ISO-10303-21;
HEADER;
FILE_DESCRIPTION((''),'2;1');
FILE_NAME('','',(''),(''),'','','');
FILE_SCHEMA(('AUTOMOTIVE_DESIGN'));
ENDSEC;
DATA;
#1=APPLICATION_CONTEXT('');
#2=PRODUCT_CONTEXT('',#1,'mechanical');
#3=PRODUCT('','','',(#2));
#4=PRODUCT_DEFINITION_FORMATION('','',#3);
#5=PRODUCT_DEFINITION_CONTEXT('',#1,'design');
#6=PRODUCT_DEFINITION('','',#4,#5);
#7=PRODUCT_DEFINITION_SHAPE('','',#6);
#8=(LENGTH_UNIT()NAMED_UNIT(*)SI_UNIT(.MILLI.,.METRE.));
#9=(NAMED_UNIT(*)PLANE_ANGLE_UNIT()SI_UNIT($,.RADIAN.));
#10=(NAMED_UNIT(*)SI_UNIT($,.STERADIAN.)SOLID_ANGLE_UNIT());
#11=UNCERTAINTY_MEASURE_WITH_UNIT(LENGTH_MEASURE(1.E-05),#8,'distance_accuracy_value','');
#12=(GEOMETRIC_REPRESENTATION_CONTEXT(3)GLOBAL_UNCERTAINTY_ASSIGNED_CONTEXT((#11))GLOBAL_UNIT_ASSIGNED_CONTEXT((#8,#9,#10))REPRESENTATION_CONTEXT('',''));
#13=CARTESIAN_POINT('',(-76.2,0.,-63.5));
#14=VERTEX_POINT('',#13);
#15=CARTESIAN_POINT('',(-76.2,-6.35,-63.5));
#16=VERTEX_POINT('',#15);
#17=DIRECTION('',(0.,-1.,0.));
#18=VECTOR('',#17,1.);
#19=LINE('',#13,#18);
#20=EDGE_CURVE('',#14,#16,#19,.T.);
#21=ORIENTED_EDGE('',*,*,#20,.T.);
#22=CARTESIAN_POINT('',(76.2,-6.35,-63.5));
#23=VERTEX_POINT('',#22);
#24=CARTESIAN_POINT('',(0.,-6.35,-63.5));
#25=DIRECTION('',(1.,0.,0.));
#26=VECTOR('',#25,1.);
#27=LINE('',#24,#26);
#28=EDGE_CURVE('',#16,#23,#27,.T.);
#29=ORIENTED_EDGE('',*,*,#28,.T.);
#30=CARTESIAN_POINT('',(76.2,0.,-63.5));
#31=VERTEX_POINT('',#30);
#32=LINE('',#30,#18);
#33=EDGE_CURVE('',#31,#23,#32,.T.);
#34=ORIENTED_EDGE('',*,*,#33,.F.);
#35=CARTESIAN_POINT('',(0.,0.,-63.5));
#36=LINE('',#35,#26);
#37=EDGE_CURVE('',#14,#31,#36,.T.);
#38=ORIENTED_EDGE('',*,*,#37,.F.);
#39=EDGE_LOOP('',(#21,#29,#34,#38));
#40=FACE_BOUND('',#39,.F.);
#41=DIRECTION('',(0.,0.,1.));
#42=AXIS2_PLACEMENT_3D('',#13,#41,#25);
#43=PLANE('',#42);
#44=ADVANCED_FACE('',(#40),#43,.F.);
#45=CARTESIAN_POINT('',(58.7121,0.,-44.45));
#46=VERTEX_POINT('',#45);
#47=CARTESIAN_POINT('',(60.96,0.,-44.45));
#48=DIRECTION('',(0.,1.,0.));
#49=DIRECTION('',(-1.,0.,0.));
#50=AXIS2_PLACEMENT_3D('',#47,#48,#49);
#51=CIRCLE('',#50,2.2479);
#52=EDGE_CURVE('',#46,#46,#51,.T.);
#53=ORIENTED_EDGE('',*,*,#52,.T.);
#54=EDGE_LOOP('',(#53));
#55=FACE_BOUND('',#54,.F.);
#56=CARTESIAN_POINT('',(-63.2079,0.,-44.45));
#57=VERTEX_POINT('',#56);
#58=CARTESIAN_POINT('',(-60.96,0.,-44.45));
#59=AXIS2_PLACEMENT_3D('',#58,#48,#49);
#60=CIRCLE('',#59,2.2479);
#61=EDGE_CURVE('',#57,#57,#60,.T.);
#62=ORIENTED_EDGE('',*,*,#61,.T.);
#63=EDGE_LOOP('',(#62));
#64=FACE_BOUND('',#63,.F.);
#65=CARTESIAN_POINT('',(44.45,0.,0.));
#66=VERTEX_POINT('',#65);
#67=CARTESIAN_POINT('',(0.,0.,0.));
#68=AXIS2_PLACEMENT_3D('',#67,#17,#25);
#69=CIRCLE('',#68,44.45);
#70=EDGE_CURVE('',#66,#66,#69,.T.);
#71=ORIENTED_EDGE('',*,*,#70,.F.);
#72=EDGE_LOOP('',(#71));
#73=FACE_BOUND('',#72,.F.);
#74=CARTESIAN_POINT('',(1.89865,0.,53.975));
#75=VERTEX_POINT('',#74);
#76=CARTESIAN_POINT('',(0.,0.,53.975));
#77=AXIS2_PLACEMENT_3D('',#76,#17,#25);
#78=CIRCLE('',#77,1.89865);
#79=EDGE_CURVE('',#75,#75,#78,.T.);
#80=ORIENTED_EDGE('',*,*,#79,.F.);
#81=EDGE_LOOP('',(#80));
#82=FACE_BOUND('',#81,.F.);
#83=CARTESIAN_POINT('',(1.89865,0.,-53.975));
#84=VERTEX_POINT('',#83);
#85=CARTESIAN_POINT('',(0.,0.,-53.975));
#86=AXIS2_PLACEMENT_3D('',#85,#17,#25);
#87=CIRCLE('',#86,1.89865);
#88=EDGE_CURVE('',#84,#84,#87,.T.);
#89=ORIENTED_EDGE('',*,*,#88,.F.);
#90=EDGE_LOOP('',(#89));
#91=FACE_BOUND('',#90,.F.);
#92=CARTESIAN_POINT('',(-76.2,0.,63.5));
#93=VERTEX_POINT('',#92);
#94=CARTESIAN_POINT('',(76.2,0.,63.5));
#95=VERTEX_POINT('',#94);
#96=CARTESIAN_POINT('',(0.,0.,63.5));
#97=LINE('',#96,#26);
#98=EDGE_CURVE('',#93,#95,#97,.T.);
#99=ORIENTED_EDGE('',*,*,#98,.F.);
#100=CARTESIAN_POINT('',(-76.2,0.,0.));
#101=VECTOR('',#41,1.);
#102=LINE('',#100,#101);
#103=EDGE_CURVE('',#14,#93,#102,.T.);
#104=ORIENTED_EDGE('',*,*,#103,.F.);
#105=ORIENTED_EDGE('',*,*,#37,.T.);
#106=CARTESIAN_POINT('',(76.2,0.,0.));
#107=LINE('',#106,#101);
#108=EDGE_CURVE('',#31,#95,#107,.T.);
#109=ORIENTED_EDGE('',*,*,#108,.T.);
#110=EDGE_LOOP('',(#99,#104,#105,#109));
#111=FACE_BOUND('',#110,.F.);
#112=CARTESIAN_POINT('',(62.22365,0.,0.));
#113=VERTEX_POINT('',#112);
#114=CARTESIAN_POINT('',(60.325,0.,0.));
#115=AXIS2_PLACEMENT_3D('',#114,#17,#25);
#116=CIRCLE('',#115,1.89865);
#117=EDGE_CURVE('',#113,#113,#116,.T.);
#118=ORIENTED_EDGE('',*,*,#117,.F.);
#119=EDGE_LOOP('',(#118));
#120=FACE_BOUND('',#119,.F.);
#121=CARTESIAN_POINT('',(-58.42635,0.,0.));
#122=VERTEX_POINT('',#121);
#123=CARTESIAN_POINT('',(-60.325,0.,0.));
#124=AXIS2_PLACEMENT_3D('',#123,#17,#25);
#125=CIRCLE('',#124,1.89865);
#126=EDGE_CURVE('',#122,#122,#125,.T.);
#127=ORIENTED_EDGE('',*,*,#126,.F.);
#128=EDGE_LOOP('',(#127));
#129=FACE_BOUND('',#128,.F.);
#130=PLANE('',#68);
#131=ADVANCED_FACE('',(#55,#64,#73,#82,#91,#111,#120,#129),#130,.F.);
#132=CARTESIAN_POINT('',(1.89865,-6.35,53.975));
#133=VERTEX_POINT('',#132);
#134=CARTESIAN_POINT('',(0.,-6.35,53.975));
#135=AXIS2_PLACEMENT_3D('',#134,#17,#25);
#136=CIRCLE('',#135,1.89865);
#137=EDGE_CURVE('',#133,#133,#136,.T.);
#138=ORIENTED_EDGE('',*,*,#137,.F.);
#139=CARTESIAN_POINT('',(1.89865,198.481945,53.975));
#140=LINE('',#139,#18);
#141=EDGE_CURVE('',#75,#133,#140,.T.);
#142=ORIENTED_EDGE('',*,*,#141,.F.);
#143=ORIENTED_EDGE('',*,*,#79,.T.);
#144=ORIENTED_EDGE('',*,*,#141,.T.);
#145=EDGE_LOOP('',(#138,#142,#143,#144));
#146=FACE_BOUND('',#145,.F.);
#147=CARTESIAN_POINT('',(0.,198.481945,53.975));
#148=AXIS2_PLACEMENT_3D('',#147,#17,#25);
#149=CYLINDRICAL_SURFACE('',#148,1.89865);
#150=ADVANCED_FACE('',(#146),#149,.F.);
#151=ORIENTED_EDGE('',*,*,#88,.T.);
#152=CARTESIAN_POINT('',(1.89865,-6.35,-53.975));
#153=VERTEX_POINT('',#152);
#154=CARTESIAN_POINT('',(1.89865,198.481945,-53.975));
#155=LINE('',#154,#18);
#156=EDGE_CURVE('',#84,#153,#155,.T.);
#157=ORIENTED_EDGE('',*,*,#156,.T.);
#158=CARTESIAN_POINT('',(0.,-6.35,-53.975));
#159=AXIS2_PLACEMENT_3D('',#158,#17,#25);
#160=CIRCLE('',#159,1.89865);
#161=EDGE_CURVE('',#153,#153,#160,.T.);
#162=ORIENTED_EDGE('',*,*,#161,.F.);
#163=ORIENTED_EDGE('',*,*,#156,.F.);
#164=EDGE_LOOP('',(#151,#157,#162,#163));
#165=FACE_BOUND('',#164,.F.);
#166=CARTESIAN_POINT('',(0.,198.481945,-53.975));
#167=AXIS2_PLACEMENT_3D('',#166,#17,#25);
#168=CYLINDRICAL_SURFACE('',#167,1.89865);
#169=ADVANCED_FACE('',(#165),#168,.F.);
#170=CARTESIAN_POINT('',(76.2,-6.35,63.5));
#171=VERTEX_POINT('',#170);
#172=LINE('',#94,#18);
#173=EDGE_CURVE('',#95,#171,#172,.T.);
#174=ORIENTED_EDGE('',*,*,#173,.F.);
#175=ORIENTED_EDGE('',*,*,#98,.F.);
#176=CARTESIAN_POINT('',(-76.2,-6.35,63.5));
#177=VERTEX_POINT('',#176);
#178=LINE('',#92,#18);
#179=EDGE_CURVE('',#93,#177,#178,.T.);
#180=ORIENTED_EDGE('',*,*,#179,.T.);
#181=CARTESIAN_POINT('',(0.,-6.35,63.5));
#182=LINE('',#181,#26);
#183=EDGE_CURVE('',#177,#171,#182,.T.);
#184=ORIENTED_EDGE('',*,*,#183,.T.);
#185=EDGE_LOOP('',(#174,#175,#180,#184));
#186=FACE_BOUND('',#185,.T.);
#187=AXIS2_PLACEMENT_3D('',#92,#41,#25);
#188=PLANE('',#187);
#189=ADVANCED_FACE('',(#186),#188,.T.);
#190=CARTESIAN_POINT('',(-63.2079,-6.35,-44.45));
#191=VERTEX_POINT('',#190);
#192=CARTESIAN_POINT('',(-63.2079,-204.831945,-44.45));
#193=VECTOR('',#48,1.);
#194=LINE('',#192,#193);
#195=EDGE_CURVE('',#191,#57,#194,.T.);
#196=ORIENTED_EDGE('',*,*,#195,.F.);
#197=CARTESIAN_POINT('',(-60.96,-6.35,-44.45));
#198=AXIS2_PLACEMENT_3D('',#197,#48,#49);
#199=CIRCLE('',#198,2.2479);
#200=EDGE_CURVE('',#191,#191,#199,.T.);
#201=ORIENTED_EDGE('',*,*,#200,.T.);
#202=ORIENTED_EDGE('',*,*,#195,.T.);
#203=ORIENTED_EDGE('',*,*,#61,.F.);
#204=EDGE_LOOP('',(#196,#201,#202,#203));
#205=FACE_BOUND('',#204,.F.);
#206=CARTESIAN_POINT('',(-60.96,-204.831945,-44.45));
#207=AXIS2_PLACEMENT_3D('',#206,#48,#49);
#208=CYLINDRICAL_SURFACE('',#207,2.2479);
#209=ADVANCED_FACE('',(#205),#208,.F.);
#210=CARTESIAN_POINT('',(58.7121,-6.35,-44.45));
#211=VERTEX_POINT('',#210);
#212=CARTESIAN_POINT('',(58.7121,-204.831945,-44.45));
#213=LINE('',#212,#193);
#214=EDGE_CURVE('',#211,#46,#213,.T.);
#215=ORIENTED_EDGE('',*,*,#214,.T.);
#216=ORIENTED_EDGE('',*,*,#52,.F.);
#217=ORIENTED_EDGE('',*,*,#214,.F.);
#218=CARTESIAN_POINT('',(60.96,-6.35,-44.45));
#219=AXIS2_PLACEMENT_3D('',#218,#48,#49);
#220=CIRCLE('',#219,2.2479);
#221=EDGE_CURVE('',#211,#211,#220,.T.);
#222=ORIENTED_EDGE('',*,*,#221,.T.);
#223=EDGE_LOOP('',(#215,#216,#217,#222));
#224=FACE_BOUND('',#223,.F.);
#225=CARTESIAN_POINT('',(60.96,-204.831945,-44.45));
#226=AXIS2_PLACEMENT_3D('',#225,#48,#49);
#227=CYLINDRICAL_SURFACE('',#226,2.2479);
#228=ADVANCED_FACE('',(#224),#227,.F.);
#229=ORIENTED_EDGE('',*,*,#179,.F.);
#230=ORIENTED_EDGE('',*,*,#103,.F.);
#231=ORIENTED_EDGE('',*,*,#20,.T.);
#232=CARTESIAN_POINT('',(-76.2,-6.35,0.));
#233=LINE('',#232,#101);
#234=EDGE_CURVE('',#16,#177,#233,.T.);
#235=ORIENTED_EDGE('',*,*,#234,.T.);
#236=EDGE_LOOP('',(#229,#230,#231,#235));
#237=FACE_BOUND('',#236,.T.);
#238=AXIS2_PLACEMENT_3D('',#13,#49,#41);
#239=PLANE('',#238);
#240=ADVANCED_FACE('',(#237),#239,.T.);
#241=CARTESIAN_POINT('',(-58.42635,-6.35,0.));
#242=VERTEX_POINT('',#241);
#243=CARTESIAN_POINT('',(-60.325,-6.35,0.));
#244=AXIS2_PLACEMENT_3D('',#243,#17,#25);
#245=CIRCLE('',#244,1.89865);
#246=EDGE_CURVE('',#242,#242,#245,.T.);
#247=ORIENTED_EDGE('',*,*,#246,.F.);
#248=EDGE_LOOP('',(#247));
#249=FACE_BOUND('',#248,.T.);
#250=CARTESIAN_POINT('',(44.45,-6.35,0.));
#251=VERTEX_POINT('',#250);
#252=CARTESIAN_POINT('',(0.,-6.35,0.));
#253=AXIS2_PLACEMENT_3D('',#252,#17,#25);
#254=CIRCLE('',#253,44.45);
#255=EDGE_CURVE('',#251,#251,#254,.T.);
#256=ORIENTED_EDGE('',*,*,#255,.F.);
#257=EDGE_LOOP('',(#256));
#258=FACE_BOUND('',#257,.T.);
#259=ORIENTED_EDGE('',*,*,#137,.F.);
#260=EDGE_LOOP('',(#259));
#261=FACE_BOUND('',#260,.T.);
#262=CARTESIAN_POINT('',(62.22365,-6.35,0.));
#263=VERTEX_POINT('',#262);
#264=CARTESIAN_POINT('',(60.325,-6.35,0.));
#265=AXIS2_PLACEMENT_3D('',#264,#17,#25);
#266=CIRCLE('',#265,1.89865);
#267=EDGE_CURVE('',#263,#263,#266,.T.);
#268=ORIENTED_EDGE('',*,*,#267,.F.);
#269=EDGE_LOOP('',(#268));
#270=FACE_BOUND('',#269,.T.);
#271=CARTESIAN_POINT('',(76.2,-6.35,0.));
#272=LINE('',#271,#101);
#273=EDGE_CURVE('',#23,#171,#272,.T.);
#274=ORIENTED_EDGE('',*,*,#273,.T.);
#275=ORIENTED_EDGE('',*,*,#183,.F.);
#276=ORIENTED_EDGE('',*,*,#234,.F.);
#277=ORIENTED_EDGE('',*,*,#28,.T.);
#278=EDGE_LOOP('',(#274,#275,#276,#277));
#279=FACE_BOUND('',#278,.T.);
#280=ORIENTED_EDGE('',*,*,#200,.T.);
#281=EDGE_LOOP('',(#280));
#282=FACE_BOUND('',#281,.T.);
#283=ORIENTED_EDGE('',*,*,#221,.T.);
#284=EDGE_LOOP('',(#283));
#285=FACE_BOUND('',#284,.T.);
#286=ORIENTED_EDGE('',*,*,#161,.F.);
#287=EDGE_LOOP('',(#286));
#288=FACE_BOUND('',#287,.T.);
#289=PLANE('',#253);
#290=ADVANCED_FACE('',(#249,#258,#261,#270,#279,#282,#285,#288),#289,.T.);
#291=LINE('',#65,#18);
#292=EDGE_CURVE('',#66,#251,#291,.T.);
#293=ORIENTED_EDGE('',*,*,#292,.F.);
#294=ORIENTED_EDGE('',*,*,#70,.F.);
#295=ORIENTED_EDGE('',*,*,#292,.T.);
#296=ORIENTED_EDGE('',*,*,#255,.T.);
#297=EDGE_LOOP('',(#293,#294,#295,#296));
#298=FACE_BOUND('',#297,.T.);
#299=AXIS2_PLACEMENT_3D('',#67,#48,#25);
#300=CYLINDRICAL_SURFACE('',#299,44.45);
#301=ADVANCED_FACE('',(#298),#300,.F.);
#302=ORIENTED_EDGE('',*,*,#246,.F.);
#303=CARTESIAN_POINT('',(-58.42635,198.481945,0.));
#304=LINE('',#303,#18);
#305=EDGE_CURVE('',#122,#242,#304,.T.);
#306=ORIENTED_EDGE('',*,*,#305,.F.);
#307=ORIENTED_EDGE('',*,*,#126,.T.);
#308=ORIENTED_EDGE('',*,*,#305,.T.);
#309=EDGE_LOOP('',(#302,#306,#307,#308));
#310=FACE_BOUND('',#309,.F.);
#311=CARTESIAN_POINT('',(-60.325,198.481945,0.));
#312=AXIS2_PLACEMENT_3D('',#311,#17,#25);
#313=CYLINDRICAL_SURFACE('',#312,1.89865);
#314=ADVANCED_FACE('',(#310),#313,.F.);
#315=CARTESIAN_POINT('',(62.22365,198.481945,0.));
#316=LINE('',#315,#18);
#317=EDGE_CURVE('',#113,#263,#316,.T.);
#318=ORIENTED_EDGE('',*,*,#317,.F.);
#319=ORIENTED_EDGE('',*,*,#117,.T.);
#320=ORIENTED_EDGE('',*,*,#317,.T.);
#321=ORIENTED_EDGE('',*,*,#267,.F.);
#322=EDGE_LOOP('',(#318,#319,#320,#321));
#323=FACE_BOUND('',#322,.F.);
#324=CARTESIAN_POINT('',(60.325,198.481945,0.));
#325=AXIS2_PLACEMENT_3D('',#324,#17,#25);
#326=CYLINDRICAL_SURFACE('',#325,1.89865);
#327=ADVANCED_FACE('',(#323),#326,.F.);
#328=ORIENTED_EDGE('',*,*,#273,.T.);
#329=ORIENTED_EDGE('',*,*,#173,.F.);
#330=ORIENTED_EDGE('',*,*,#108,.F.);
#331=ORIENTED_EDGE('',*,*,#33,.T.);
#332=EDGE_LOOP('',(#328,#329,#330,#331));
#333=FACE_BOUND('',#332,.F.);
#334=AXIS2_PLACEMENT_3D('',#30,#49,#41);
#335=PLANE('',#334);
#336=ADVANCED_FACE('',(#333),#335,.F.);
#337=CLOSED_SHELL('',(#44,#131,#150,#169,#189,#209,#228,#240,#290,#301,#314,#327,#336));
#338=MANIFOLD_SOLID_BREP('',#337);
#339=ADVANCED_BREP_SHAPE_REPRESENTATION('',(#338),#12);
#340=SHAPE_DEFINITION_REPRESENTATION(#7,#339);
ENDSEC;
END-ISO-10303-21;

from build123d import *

# Parameters (mm, degrees)
F0_W     = 152.4
F0_H     = 127
F0_R     = 44.45
F1_DEPTH = 6.35
F4_D     = 3.7973
F6_D     = 4.4958


with BuildPart() as f1:
    # F0 (on Front) → F1 (new body)
    with BuildSketch(Plane.XZ):
        Rectangle(F0_W, F0_H)
        Circle(F0_R, mode=Mode.SUBTRACT)
    extrude(amount=F1_DEPTH)

    # F4 (through all)
    with Locations(Plane(origin=(0, 0, 0), x_dir=(-1, 0, 0), z_dir=(0, 1, 0))):
        with Locations((-60.325, 0), (0, 53.975), (60.325, 0), (0, -53.975)):
            Hole(F4_D / 2)

    # F6 (through all)
    with Locations(Plane.XZ.offset(6.35)):
        with Locations((-60.96, -44.45), (60.96, -44.45)):
            Hole(F6_D / 2)


solid = f1.part
